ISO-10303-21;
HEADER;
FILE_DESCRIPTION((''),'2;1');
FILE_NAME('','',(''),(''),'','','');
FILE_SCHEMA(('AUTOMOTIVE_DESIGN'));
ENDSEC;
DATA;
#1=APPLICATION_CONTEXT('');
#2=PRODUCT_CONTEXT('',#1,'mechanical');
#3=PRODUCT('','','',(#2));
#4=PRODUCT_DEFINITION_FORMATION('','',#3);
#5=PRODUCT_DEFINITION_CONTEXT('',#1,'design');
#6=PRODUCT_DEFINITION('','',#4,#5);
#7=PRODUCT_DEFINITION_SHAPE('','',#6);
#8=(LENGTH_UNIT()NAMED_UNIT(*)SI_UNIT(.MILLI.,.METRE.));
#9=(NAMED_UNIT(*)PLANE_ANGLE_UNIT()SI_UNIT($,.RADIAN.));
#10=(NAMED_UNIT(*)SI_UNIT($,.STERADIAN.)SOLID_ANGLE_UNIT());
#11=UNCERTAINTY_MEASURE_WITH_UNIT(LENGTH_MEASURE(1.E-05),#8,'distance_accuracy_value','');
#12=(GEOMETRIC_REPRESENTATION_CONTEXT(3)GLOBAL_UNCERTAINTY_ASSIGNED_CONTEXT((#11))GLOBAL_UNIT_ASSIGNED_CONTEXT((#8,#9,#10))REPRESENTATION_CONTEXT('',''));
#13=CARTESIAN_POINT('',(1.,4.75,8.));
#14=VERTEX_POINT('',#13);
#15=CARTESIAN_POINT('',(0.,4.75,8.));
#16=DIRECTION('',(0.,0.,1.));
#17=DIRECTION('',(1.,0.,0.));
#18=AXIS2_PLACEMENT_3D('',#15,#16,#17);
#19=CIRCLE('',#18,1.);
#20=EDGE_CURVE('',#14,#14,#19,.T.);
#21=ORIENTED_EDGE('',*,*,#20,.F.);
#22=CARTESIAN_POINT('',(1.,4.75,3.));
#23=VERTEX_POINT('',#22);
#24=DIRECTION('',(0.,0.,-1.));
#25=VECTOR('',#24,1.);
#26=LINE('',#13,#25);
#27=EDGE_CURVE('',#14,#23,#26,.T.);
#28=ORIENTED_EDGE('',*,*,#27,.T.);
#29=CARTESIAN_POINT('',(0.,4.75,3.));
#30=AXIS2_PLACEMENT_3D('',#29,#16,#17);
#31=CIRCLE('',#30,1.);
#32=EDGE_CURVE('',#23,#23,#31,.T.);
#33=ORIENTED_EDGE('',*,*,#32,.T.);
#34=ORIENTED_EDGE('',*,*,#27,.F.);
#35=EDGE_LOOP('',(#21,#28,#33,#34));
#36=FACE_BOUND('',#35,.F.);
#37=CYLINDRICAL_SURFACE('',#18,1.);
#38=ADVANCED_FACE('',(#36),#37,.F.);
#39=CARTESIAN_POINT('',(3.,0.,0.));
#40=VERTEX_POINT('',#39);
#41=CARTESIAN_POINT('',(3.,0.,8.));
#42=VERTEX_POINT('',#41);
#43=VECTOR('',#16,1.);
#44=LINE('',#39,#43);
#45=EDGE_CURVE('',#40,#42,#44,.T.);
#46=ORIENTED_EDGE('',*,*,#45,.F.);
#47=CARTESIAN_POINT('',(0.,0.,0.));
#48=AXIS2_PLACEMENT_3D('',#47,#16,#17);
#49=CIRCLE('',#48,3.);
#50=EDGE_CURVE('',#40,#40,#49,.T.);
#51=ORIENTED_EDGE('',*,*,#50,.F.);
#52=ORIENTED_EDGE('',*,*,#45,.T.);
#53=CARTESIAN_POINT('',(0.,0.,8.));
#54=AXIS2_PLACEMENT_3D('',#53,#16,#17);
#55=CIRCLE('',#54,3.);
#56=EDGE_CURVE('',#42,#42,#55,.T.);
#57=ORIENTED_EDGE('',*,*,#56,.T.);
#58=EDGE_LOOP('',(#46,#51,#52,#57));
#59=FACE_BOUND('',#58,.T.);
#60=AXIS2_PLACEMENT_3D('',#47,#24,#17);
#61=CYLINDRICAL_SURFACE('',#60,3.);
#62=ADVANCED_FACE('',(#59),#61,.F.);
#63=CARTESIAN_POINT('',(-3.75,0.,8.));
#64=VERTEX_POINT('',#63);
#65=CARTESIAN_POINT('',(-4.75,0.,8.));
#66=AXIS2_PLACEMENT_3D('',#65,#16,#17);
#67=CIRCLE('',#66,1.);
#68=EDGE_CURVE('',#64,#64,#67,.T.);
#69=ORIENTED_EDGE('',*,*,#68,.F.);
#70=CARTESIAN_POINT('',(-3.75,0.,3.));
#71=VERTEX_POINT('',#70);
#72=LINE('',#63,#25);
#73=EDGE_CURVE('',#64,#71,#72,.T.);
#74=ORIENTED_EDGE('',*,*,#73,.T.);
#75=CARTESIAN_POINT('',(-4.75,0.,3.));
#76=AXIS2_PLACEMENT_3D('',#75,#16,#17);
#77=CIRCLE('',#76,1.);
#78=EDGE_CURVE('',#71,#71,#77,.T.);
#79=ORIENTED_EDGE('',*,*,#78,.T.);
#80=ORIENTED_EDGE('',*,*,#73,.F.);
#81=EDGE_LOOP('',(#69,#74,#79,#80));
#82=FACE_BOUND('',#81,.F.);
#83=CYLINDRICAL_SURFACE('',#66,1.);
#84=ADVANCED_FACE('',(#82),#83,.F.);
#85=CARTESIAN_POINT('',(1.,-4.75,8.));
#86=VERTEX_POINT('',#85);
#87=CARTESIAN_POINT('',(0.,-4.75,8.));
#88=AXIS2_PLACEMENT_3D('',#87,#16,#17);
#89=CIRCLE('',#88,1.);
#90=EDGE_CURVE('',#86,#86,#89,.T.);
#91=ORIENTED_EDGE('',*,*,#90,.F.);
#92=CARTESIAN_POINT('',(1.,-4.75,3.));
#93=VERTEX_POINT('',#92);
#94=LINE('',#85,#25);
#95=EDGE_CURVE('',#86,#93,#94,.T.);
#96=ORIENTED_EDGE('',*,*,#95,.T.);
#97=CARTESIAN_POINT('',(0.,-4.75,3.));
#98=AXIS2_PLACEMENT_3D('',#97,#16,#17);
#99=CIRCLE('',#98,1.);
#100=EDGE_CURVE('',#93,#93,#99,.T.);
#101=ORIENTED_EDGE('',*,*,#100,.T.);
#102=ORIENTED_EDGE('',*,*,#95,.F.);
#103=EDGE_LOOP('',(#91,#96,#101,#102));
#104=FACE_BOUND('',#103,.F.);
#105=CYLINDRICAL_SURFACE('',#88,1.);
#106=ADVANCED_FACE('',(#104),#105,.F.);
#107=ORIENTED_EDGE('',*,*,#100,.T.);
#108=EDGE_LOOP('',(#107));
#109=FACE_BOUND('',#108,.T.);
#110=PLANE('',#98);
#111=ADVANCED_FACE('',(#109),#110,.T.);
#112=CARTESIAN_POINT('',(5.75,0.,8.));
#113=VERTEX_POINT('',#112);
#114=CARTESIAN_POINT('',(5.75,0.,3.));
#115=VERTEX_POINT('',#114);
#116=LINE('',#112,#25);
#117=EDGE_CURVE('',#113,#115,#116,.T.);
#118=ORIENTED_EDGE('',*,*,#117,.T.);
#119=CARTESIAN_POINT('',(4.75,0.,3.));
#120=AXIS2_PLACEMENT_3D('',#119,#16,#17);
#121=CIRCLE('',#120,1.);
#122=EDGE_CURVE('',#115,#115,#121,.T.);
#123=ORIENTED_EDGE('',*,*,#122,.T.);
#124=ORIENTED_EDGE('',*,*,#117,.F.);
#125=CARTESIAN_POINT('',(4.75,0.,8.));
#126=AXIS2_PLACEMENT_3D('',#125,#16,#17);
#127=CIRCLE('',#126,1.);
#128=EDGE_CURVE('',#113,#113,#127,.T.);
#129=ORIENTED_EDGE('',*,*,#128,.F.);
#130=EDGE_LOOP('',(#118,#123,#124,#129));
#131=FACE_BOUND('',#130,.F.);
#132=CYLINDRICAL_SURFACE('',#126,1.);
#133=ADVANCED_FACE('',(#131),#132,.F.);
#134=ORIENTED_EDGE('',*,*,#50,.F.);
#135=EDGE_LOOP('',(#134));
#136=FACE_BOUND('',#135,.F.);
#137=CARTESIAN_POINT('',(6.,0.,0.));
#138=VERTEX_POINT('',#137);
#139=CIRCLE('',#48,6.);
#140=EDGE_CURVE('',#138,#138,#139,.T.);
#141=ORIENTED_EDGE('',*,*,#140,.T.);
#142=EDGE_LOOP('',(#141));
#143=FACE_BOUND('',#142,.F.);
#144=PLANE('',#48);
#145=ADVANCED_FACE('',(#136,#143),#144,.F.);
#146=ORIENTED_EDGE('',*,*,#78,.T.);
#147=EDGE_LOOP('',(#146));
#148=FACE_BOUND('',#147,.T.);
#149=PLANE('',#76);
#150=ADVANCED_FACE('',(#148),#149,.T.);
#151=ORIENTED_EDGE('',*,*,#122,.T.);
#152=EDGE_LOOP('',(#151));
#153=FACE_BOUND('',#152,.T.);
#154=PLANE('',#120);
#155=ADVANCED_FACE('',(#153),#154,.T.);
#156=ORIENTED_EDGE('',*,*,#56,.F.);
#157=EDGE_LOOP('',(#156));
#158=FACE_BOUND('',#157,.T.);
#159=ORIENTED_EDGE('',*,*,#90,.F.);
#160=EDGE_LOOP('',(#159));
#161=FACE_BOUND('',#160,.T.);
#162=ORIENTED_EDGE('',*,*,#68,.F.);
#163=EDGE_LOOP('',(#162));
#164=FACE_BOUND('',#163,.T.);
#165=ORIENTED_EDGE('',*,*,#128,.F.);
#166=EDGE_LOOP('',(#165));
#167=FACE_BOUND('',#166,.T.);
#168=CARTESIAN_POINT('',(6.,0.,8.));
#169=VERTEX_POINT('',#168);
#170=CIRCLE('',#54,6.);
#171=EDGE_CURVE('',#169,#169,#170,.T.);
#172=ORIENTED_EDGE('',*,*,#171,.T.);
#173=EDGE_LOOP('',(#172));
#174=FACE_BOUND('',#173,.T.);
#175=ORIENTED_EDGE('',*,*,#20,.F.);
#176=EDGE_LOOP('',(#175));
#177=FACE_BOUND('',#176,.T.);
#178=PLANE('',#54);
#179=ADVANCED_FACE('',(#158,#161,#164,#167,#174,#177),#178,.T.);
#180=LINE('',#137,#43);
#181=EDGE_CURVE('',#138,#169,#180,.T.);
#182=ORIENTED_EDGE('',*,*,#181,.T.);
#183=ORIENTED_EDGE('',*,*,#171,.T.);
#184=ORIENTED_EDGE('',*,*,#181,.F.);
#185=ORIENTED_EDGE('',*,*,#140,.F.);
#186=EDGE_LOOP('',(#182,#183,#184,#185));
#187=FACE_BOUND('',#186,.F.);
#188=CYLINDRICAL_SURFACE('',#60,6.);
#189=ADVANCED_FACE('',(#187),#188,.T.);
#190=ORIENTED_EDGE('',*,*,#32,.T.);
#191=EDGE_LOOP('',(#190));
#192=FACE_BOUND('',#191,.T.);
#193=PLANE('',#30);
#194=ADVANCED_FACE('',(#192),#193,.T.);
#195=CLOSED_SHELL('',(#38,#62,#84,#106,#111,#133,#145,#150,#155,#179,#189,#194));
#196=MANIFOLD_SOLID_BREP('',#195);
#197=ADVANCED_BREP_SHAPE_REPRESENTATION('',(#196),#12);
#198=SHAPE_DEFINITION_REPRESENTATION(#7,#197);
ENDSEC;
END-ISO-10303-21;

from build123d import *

# Parameters (mm, degrees)
F0_R     = 6
F0_R_2   = 3
F1_DEPTH = 8
F2_R     = 1
F3_DEPTH = 5


with BuildPart() as f1:
    # F0 (on Top) → F1 (new body)
    with BuildSketch(Plane.XY):
        Circle(F0_R)
        Circle(F0_R_2, mode=Mode.SUBTRACT)
    extrude(amount=F1_DEPTH)

    # F2 (on face) → F3 (cut)
    with BuildSketch(Plane.XY.offset(8)):
        with Locations((4.75, 0)):
            Circle(F2_R)
        with Locations((0, 4.75)):
            Circle(F2_R)
        with Locations((-4.75, 0)):
            Circle(F2_R)
        with Locations((0, -4.75)):
            Circle(F2_R)
    extrude(amount=-F3_DEPTH, mode=Mode.SUBTRACT)


solid = f1.part
